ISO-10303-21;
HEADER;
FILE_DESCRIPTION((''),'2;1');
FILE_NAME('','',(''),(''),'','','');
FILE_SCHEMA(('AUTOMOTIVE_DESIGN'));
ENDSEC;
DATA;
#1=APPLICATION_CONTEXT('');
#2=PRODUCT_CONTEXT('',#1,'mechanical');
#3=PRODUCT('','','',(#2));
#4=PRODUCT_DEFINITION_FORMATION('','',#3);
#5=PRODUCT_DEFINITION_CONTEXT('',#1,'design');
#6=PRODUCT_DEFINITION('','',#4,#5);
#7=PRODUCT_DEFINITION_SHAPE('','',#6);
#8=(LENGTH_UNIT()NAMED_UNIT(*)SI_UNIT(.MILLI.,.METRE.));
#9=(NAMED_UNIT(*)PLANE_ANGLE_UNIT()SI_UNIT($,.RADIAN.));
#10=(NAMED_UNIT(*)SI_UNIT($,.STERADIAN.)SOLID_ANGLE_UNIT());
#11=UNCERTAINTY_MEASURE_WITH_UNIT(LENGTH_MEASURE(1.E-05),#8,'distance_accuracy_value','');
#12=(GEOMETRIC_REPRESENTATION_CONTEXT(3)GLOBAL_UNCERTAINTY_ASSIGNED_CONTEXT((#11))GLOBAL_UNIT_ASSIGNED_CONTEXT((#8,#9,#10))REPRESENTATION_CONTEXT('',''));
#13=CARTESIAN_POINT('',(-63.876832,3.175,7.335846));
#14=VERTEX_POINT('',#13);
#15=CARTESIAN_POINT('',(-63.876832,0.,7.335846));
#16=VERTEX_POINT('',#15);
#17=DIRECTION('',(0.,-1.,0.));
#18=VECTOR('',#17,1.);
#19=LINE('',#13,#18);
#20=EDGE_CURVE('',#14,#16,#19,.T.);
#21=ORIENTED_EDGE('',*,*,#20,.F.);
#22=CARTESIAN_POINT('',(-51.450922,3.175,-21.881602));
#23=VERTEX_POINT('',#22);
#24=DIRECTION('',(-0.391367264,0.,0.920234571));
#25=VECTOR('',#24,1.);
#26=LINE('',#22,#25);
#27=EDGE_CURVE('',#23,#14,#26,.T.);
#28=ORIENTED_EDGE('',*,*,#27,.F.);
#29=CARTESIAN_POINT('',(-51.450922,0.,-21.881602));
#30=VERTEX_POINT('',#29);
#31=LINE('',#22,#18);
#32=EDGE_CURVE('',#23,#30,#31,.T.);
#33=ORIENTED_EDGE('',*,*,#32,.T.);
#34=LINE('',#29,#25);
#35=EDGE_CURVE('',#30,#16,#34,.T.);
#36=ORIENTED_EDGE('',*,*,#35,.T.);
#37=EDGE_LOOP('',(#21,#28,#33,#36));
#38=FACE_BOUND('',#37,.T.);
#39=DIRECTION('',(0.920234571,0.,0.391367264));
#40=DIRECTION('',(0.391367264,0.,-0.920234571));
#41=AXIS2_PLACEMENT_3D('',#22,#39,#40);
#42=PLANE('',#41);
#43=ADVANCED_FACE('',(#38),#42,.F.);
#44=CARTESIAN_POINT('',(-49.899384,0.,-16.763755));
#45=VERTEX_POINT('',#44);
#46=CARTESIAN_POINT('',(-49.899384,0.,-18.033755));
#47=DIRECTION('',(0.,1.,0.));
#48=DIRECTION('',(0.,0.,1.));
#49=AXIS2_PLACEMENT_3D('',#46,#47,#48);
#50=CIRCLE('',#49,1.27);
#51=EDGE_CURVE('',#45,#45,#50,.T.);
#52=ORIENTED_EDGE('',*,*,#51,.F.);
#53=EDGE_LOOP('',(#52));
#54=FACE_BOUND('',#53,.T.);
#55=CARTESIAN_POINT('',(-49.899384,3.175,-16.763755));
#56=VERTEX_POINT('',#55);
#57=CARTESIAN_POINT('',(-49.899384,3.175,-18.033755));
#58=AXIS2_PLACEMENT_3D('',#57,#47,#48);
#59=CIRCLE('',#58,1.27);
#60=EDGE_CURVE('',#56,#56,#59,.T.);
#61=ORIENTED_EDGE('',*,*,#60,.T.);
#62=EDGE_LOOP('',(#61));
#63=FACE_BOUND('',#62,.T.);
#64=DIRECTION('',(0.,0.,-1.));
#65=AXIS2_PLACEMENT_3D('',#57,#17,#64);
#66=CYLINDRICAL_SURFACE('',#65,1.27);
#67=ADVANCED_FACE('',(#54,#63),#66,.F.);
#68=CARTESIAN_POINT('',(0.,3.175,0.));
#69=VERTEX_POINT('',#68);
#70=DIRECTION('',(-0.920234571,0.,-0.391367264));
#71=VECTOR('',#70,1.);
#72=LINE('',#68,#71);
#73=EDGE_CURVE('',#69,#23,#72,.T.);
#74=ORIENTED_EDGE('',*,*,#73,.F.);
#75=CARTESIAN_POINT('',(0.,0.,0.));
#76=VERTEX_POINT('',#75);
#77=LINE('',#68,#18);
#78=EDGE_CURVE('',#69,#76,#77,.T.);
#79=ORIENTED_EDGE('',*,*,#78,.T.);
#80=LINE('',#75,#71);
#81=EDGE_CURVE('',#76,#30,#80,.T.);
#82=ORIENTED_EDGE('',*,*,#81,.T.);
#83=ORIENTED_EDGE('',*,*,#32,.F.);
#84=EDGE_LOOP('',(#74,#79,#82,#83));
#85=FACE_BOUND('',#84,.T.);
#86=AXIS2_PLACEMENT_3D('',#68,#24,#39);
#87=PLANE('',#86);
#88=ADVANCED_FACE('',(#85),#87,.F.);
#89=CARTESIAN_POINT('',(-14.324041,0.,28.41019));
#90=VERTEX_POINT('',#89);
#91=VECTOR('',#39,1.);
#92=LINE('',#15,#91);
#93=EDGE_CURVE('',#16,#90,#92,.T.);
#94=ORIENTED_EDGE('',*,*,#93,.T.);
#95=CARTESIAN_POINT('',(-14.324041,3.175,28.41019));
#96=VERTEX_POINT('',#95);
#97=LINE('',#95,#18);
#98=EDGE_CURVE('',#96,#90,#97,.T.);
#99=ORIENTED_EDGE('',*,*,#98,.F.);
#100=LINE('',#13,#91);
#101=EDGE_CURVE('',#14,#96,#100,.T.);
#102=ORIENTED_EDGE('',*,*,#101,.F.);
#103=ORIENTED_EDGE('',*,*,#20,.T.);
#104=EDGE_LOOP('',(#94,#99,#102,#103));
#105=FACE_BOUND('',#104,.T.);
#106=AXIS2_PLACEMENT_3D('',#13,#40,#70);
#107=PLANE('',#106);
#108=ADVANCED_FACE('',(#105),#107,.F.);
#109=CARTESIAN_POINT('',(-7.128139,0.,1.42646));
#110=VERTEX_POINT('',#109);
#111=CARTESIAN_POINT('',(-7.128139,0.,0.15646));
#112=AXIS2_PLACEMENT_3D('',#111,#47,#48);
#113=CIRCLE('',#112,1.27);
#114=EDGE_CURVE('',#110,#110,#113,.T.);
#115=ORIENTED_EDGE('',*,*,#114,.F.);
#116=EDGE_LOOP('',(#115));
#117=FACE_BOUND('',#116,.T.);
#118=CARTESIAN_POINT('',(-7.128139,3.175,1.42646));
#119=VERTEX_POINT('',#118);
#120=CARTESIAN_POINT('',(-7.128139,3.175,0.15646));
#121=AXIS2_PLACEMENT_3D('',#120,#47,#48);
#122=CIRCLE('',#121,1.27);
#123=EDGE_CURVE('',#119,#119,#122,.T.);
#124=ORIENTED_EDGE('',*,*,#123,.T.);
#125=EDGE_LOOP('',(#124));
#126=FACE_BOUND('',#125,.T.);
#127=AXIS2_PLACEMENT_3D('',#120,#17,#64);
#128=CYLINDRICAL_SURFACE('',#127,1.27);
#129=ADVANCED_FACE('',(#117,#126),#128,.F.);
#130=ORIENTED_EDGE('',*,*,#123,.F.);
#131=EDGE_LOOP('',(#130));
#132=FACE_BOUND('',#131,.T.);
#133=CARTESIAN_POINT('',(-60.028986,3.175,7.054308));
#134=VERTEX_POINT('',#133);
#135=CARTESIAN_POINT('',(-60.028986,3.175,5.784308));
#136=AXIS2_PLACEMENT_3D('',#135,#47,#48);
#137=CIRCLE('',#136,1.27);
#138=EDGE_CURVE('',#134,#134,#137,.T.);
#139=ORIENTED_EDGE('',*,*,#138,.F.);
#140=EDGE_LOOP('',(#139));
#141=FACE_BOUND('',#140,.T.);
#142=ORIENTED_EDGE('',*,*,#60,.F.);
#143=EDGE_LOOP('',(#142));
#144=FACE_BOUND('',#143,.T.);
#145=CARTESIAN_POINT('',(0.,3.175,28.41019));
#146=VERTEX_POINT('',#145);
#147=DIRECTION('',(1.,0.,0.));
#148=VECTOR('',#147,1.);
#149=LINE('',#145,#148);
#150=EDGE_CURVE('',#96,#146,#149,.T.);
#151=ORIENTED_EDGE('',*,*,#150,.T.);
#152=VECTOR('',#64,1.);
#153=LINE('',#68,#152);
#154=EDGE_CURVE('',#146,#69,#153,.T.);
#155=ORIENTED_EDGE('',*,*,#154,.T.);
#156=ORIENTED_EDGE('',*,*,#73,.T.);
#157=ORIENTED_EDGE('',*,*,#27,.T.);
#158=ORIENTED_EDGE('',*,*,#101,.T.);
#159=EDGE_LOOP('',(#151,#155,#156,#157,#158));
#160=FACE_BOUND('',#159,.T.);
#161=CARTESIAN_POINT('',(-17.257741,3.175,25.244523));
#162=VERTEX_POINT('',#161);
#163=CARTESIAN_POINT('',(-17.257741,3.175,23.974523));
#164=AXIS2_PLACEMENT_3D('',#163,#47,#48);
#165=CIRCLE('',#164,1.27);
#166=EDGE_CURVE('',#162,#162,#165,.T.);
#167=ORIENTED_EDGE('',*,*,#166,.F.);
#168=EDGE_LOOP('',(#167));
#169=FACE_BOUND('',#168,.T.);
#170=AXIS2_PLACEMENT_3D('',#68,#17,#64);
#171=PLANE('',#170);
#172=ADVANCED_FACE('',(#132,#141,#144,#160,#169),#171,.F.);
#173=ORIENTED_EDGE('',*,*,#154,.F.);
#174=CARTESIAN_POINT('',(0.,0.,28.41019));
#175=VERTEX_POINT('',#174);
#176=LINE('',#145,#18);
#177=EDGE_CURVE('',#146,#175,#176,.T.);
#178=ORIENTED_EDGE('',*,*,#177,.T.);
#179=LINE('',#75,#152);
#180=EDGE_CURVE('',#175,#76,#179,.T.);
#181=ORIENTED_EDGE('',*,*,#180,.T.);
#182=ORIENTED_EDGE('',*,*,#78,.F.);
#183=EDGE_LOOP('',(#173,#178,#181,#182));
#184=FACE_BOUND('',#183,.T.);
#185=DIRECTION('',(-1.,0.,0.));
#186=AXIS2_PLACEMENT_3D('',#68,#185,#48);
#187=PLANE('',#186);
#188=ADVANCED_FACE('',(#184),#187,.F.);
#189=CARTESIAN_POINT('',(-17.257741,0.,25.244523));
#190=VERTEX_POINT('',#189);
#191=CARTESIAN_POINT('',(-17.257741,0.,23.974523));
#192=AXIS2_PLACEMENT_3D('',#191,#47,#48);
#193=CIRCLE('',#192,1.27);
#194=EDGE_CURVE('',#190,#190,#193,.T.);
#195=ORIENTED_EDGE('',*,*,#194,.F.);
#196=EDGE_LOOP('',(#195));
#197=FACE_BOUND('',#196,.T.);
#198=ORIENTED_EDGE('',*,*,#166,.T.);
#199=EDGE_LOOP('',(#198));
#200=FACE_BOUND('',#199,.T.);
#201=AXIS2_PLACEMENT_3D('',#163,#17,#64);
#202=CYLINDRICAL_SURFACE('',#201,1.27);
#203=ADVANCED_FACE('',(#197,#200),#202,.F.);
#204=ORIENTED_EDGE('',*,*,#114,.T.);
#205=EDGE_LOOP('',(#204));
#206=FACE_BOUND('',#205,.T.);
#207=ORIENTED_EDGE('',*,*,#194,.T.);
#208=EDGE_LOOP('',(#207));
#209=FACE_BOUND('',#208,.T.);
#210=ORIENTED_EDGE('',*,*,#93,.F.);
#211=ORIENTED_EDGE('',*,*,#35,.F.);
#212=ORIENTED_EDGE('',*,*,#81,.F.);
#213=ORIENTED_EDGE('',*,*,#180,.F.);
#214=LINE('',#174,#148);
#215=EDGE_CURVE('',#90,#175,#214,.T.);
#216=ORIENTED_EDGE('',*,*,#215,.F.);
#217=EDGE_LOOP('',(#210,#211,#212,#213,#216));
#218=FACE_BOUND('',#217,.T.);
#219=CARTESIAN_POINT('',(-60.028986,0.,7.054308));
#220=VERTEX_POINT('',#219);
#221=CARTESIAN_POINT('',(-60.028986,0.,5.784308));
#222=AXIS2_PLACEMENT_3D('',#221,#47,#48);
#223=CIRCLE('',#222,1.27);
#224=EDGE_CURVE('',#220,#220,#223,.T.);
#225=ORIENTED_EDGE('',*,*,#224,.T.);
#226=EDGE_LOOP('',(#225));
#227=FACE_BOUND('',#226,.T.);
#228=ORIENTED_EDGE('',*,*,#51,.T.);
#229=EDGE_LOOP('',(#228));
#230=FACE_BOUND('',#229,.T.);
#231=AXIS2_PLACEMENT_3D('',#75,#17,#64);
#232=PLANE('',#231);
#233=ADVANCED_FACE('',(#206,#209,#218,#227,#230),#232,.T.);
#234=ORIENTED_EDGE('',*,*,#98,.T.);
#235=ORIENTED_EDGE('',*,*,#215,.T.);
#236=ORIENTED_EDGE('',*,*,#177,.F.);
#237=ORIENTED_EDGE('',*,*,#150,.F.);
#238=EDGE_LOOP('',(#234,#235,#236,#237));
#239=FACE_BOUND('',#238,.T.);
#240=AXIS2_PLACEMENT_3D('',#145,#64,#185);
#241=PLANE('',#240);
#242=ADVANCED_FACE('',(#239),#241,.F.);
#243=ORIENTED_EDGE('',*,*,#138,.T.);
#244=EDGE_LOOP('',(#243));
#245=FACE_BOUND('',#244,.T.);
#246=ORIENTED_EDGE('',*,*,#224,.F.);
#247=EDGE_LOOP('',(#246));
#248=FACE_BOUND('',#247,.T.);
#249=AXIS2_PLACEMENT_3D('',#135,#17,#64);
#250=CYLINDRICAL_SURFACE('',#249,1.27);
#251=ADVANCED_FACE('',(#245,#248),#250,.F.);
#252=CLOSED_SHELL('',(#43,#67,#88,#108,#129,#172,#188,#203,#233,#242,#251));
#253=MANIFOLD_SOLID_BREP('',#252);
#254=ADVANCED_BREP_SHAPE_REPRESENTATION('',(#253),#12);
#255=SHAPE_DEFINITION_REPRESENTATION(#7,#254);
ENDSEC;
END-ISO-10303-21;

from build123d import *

# Parameters (mm, degrees)
SKETCH1_R           = 1.27
BOSS_EXTRUDE1_DEPTH = 3.175


with BuildPart() as part:
    # Sketch1 → Boss-Extrude1 (new body)
    with BuildSketch(Plane(origin=(0, 0, 0), x_dir=(1, 0, 0), z_dir=(0, 1, 0))):
        Polygon((0, 0), (-51.450921593, 21.881601753), (-63.876832212, -7.335845865), (-14.324041053, -28.410190275), (0, -28.410190275), align=None)
        with Locations(Location((-49.899383574, 18.033755451, 0), (0, 0, 270))):
            Circle(SKETCH1_R, mode=Mode.SUBTRACT)
        with Locations(Location((-60.028985911, -5.784307846, 0), (0, 0, 270))):
            Circle(SKETCH1_R, mode=Mode.SUBTRACT)
        with Locations(Location((-17.257741053, -23.974523249, 0), (0, 0, 270))):
            Circle(SKETCH1_R, mode=Mode.SUBTRACT)
        with Locations(Location((-7.128138716, -0.156459951, 0), (0, 0, 270))):
            Circle(SKETCH1_R, mode=Mode.SUBTRACT)
    extrude(amount=BOSS_EXTRUDE1_DEPTH)


solid = part.part
